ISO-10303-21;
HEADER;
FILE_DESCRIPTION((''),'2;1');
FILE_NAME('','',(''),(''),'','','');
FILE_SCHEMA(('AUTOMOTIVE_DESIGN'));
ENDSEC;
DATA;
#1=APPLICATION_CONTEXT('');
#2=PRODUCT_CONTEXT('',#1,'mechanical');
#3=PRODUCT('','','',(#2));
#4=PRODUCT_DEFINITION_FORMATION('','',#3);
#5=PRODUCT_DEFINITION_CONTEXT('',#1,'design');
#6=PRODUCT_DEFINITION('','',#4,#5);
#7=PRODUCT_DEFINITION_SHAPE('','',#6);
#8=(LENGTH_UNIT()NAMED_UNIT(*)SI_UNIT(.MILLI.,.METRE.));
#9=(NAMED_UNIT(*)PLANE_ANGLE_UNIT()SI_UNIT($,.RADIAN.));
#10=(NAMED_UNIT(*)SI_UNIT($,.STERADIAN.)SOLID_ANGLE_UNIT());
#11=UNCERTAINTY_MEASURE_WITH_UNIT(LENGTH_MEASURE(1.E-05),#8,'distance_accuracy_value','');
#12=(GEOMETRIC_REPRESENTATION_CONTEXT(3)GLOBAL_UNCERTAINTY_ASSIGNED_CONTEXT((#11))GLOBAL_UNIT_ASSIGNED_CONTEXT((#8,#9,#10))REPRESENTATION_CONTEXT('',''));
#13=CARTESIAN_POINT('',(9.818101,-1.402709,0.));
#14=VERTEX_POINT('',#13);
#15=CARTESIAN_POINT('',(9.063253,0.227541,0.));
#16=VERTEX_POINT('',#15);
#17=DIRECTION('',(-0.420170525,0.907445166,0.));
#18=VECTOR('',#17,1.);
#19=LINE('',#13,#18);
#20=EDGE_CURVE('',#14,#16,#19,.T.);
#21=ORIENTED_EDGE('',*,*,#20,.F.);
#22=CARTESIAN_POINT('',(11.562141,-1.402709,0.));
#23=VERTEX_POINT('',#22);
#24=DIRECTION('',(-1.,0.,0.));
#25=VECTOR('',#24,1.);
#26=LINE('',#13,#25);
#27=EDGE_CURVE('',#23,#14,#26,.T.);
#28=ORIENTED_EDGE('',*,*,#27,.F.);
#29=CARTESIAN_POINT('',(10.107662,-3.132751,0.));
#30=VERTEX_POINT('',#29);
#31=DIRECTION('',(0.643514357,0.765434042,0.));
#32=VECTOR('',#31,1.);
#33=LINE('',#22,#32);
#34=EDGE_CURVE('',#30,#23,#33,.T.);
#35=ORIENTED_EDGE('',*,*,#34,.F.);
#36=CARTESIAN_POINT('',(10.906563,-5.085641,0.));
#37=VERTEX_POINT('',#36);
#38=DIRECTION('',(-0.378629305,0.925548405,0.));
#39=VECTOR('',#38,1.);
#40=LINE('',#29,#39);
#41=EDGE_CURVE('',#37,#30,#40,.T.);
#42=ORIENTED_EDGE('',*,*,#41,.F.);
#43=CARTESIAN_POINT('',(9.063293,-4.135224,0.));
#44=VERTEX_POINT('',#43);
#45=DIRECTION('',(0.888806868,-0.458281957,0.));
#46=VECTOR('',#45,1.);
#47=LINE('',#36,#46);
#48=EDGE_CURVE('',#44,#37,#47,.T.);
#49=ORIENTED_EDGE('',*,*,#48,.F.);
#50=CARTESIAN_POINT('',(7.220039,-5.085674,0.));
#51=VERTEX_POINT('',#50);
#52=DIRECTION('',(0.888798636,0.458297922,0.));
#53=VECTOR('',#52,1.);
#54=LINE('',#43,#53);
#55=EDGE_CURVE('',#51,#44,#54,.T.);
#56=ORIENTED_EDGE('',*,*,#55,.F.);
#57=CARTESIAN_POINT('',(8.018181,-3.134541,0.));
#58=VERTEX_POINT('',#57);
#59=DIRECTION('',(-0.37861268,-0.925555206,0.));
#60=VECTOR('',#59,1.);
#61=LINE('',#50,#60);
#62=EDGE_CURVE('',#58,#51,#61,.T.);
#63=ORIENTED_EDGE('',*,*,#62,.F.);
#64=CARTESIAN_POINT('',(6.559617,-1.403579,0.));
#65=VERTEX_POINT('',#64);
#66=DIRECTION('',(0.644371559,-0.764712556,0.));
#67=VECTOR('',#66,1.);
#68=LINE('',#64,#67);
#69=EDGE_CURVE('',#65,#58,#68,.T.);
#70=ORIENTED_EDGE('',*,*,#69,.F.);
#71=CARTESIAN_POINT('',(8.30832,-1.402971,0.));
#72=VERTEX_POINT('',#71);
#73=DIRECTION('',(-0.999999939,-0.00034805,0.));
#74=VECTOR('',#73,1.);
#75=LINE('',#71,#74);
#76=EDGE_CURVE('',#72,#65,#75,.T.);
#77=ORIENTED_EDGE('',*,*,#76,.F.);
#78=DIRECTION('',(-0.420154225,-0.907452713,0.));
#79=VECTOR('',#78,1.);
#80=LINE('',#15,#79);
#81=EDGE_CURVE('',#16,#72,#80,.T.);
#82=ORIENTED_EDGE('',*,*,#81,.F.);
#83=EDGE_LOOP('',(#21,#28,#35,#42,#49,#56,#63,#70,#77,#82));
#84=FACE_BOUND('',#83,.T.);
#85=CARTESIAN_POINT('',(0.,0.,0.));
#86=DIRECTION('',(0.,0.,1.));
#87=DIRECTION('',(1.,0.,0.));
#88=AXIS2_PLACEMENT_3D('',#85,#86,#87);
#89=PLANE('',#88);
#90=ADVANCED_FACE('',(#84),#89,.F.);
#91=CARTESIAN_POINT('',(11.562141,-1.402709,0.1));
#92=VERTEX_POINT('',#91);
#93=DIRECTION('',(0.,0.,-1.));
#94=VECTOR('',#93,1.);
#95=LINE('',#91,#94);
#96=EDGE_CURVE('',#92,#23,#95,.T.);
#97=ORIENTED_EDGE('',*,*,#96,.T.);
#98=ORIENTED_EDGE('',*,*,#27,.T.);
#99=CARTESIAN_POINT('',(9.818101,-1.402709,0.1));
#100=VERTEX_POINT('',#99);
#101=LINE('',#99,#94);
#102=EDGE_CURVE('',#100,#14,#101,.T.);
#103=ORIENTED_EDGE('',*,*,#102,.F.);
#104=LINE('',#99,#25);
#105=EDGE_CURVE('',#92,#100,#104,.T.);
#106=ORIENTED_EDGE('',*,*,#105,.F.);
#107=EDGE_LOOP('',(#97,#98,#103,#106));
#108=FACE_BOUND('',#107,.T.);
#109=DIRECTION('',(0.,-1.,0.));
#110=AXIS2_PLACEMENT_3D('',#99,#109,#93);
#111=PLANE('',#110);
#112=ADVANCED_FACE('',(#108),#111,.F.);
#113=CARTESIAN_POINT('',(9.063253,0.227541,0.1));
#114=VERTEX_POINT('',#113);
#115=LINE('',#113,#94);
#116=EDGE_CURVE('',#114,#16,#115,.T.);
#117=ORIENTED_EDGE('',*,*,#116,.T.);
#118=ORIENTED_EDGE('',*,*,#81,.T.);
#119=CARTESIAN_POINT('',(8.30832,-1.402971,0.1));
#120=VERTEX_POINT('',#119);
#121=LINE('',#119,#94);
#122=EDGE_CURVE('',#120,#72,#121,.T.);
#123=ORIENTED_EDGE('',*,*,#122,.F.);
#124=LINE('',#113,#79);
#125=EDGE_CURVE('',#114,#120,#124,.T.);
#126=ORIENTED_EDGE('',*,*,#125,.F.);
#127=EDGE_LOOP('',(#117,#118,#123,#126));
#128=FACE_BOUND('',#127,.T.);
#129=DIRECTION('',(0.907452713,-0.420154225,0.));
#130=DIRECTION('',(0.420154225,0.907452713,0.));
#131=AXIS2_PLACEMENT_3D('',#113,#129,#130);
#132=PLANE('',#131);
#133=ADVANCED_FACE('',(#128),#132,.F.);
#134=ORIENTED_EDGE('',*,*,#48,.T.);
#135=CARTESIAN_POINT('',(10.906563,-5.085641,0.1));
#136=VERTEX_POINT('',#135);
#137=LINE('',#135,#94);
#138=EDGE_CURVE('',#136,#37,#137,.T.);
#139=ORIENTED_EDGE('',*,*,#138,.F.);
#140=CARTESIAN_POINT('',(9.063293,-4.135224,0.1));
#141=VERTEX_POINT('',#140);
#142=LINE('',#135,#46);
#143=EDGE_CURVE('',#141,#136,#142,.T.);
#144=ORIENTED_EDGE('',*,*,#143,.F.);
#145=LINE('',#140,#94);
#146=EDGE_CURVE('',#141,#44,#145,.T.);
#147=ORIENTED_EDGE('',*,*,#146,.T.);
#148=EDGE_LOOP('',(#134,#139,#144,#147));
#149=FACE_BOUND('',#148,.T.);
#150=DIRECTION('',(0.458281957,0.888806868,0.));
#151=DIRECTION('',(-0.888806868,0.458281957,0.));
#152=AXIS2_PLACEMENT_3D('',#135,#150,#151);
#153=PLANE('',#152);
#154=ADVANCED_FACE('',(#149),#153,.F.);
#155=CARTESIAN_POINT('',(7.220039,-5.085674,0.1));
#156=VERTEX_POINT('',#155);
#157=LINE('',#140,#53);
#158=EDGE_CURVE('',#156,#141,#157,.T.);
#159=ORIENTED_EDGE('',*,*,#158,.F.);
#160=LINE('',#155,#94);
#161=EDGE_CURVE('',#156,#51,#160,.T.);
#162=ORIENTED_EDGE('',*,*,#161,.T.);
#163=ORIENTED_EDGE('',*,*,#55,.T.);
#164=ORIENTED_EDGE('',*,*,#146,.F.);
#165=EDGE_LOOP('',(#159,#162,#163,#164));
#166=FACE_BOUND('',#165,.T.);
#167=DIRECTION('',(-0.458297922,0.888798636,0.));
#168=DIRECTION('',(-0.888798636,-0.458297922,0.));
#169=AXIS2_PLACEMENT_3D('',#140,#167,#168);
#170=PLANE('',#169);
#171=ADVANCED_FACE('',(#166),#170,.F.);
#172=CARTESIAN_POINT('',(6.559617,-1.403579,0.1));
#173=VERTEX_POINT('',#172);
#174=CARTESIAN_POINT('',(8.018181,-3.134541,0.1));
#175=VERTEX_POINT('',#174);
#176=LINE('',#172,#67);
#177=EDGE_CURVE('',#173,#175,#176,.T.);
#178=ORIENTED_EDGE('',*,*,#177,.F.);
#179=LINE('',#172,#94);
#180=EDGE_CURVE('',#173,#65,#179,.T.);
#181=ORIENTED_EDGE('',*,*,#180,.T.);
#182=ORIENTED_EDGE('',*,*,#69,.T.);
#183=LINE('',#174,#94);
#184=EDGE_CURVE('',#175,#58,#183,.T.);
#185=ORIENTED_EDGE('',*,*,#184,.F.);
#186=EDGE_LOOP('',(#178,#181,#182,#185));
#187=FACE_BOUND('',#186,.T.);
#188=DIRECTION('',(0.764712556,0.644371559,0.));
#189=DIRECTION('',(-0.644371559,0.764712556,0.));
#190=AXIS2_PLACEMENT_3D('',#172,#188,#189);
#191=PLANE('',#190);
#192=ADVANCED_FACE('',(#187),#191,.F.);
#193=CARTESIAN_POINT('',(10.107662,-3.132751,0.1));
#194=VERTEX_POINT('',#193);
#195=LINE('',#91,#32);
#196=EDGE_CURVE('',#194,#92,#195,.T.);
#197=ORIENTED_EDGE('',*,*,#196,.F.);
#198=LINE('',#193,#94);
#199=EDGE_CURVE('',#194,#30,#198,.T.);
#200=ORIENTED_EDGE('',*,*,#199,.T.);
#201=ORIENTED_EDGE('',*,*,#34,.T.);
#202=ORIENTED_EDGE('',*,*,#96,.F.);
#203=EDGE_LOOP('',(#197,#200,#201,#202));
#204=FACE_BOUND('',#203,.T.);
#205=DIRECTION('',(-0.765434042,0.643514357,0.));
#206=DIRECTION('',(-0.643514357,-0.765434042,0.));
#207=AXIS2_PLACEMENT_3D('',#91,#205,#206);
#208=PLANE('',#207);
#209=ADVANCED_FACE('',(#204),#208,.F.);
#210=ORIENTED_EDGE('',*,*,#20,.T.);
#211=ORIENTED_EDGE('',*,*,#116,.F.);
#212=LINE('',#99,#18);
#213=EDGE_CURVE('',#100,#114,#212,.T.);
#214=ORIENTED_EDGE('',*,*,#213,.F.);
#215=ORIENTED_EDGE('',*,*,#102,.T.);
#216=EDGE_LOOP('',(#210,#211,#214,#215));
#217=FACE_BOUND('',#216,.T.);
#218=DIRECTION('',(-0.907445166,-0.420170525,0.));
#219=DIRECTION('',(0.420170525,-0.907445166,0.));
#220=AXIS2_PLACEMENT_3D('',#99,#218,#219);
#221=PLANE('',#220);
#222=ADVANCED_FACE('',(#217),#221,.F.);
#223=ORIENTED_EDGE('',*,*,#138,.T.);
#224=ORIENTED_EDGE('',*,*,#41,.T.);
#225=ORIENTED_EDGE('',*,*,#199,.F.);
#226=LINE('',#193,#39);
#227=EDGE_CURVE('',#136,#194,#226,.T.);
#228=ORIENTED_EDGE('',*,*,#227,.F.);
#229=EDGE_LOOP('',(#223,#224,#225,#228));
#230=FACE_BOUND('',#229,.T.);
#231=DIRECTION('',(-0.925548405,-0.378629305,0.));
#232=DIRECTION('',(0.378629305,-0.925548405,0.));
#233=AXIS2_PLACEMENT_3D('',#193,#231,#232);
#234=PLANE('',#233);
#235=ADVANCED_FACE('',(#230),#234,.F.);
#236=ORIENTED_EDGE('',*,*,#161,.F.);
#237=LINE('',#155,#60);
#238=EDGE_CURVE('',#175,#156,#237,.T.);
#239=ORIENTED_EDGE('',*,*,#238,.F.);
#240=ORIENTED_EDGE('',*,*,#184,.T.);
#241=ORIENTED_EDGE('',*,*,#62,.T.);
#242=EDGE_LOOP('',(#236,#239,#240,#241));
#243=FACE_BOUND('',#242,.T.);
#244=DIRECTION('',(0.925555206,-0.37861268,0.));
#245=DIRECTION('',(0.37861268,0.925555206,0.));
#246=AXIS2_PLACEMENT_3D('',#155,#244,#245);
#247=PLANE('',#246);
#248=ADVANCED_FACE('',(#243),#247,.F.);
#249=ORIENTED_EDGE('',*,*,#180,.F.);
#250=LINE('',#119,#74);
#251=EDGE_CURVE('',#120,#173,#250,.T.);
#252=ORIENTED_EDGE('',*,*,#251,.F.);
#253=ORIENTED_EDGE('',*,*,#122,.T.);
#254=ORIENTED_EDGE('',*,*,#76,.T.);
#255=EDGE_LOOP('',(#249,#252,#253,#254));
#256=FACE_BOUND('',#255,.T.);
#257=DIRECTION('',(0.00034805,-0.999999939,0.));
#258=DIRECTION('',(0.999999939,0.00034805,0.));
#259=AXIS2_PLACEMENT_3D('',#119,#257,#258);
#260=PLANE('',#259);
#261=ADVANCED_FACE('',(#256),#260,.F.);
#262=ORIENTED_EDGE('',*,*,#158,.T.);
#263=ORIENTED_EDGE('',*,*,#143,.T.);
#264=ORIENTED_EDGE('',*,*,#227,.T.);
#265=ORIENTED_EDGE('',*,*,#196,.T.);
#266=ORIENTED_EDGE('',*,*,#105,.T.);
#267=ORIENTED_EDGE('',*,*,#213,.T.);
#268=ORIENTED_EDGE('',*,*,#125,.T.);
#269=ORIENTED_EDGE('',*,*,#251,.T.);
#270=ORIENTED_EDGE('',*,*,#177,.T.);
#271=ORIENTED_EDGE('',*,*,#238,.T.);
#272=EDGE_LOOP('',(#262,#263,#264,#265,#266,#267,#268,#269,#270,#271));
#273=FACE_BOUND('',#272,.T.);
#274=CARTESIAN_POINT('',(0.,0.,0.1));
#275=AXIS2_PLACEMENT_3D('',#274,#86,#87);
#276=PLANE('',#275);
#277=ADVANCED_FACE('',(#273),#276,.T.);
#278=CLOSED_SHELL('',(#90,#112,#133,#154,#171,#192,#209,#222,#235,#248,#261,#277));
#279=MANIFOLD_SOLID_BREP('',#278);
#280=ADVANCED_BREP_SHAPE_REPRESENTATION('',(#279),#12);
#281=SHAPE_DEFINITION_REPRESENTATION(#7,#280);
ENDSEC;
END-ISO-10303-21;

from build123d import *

# Parameters (mm, degrees)
SALIENTE_EXTRUIR1_DEPTH = 0.1


with BuildPart() as part:
    # Model → Saliente-Extruir1 (new body)
    with BuildSketch(Plane.XY):
        Polygon((9.818101322, -1.402708836), (11.562140582, -1.402708836), (10.107662294, -3.13275135), (10.906563116, -5.085641347), (9.063292553, -4.135223802), (7.220039062, -5.085674455), (8.018180558, -3.134540605), (6.559616602, -1.403579399), (8.308319708, -1.402970763), (9.063253371, 0.227541463), align=None)
    extrude(amount=SALIENTE_EXTRUIR1_DEPTH)


solid = part.part
